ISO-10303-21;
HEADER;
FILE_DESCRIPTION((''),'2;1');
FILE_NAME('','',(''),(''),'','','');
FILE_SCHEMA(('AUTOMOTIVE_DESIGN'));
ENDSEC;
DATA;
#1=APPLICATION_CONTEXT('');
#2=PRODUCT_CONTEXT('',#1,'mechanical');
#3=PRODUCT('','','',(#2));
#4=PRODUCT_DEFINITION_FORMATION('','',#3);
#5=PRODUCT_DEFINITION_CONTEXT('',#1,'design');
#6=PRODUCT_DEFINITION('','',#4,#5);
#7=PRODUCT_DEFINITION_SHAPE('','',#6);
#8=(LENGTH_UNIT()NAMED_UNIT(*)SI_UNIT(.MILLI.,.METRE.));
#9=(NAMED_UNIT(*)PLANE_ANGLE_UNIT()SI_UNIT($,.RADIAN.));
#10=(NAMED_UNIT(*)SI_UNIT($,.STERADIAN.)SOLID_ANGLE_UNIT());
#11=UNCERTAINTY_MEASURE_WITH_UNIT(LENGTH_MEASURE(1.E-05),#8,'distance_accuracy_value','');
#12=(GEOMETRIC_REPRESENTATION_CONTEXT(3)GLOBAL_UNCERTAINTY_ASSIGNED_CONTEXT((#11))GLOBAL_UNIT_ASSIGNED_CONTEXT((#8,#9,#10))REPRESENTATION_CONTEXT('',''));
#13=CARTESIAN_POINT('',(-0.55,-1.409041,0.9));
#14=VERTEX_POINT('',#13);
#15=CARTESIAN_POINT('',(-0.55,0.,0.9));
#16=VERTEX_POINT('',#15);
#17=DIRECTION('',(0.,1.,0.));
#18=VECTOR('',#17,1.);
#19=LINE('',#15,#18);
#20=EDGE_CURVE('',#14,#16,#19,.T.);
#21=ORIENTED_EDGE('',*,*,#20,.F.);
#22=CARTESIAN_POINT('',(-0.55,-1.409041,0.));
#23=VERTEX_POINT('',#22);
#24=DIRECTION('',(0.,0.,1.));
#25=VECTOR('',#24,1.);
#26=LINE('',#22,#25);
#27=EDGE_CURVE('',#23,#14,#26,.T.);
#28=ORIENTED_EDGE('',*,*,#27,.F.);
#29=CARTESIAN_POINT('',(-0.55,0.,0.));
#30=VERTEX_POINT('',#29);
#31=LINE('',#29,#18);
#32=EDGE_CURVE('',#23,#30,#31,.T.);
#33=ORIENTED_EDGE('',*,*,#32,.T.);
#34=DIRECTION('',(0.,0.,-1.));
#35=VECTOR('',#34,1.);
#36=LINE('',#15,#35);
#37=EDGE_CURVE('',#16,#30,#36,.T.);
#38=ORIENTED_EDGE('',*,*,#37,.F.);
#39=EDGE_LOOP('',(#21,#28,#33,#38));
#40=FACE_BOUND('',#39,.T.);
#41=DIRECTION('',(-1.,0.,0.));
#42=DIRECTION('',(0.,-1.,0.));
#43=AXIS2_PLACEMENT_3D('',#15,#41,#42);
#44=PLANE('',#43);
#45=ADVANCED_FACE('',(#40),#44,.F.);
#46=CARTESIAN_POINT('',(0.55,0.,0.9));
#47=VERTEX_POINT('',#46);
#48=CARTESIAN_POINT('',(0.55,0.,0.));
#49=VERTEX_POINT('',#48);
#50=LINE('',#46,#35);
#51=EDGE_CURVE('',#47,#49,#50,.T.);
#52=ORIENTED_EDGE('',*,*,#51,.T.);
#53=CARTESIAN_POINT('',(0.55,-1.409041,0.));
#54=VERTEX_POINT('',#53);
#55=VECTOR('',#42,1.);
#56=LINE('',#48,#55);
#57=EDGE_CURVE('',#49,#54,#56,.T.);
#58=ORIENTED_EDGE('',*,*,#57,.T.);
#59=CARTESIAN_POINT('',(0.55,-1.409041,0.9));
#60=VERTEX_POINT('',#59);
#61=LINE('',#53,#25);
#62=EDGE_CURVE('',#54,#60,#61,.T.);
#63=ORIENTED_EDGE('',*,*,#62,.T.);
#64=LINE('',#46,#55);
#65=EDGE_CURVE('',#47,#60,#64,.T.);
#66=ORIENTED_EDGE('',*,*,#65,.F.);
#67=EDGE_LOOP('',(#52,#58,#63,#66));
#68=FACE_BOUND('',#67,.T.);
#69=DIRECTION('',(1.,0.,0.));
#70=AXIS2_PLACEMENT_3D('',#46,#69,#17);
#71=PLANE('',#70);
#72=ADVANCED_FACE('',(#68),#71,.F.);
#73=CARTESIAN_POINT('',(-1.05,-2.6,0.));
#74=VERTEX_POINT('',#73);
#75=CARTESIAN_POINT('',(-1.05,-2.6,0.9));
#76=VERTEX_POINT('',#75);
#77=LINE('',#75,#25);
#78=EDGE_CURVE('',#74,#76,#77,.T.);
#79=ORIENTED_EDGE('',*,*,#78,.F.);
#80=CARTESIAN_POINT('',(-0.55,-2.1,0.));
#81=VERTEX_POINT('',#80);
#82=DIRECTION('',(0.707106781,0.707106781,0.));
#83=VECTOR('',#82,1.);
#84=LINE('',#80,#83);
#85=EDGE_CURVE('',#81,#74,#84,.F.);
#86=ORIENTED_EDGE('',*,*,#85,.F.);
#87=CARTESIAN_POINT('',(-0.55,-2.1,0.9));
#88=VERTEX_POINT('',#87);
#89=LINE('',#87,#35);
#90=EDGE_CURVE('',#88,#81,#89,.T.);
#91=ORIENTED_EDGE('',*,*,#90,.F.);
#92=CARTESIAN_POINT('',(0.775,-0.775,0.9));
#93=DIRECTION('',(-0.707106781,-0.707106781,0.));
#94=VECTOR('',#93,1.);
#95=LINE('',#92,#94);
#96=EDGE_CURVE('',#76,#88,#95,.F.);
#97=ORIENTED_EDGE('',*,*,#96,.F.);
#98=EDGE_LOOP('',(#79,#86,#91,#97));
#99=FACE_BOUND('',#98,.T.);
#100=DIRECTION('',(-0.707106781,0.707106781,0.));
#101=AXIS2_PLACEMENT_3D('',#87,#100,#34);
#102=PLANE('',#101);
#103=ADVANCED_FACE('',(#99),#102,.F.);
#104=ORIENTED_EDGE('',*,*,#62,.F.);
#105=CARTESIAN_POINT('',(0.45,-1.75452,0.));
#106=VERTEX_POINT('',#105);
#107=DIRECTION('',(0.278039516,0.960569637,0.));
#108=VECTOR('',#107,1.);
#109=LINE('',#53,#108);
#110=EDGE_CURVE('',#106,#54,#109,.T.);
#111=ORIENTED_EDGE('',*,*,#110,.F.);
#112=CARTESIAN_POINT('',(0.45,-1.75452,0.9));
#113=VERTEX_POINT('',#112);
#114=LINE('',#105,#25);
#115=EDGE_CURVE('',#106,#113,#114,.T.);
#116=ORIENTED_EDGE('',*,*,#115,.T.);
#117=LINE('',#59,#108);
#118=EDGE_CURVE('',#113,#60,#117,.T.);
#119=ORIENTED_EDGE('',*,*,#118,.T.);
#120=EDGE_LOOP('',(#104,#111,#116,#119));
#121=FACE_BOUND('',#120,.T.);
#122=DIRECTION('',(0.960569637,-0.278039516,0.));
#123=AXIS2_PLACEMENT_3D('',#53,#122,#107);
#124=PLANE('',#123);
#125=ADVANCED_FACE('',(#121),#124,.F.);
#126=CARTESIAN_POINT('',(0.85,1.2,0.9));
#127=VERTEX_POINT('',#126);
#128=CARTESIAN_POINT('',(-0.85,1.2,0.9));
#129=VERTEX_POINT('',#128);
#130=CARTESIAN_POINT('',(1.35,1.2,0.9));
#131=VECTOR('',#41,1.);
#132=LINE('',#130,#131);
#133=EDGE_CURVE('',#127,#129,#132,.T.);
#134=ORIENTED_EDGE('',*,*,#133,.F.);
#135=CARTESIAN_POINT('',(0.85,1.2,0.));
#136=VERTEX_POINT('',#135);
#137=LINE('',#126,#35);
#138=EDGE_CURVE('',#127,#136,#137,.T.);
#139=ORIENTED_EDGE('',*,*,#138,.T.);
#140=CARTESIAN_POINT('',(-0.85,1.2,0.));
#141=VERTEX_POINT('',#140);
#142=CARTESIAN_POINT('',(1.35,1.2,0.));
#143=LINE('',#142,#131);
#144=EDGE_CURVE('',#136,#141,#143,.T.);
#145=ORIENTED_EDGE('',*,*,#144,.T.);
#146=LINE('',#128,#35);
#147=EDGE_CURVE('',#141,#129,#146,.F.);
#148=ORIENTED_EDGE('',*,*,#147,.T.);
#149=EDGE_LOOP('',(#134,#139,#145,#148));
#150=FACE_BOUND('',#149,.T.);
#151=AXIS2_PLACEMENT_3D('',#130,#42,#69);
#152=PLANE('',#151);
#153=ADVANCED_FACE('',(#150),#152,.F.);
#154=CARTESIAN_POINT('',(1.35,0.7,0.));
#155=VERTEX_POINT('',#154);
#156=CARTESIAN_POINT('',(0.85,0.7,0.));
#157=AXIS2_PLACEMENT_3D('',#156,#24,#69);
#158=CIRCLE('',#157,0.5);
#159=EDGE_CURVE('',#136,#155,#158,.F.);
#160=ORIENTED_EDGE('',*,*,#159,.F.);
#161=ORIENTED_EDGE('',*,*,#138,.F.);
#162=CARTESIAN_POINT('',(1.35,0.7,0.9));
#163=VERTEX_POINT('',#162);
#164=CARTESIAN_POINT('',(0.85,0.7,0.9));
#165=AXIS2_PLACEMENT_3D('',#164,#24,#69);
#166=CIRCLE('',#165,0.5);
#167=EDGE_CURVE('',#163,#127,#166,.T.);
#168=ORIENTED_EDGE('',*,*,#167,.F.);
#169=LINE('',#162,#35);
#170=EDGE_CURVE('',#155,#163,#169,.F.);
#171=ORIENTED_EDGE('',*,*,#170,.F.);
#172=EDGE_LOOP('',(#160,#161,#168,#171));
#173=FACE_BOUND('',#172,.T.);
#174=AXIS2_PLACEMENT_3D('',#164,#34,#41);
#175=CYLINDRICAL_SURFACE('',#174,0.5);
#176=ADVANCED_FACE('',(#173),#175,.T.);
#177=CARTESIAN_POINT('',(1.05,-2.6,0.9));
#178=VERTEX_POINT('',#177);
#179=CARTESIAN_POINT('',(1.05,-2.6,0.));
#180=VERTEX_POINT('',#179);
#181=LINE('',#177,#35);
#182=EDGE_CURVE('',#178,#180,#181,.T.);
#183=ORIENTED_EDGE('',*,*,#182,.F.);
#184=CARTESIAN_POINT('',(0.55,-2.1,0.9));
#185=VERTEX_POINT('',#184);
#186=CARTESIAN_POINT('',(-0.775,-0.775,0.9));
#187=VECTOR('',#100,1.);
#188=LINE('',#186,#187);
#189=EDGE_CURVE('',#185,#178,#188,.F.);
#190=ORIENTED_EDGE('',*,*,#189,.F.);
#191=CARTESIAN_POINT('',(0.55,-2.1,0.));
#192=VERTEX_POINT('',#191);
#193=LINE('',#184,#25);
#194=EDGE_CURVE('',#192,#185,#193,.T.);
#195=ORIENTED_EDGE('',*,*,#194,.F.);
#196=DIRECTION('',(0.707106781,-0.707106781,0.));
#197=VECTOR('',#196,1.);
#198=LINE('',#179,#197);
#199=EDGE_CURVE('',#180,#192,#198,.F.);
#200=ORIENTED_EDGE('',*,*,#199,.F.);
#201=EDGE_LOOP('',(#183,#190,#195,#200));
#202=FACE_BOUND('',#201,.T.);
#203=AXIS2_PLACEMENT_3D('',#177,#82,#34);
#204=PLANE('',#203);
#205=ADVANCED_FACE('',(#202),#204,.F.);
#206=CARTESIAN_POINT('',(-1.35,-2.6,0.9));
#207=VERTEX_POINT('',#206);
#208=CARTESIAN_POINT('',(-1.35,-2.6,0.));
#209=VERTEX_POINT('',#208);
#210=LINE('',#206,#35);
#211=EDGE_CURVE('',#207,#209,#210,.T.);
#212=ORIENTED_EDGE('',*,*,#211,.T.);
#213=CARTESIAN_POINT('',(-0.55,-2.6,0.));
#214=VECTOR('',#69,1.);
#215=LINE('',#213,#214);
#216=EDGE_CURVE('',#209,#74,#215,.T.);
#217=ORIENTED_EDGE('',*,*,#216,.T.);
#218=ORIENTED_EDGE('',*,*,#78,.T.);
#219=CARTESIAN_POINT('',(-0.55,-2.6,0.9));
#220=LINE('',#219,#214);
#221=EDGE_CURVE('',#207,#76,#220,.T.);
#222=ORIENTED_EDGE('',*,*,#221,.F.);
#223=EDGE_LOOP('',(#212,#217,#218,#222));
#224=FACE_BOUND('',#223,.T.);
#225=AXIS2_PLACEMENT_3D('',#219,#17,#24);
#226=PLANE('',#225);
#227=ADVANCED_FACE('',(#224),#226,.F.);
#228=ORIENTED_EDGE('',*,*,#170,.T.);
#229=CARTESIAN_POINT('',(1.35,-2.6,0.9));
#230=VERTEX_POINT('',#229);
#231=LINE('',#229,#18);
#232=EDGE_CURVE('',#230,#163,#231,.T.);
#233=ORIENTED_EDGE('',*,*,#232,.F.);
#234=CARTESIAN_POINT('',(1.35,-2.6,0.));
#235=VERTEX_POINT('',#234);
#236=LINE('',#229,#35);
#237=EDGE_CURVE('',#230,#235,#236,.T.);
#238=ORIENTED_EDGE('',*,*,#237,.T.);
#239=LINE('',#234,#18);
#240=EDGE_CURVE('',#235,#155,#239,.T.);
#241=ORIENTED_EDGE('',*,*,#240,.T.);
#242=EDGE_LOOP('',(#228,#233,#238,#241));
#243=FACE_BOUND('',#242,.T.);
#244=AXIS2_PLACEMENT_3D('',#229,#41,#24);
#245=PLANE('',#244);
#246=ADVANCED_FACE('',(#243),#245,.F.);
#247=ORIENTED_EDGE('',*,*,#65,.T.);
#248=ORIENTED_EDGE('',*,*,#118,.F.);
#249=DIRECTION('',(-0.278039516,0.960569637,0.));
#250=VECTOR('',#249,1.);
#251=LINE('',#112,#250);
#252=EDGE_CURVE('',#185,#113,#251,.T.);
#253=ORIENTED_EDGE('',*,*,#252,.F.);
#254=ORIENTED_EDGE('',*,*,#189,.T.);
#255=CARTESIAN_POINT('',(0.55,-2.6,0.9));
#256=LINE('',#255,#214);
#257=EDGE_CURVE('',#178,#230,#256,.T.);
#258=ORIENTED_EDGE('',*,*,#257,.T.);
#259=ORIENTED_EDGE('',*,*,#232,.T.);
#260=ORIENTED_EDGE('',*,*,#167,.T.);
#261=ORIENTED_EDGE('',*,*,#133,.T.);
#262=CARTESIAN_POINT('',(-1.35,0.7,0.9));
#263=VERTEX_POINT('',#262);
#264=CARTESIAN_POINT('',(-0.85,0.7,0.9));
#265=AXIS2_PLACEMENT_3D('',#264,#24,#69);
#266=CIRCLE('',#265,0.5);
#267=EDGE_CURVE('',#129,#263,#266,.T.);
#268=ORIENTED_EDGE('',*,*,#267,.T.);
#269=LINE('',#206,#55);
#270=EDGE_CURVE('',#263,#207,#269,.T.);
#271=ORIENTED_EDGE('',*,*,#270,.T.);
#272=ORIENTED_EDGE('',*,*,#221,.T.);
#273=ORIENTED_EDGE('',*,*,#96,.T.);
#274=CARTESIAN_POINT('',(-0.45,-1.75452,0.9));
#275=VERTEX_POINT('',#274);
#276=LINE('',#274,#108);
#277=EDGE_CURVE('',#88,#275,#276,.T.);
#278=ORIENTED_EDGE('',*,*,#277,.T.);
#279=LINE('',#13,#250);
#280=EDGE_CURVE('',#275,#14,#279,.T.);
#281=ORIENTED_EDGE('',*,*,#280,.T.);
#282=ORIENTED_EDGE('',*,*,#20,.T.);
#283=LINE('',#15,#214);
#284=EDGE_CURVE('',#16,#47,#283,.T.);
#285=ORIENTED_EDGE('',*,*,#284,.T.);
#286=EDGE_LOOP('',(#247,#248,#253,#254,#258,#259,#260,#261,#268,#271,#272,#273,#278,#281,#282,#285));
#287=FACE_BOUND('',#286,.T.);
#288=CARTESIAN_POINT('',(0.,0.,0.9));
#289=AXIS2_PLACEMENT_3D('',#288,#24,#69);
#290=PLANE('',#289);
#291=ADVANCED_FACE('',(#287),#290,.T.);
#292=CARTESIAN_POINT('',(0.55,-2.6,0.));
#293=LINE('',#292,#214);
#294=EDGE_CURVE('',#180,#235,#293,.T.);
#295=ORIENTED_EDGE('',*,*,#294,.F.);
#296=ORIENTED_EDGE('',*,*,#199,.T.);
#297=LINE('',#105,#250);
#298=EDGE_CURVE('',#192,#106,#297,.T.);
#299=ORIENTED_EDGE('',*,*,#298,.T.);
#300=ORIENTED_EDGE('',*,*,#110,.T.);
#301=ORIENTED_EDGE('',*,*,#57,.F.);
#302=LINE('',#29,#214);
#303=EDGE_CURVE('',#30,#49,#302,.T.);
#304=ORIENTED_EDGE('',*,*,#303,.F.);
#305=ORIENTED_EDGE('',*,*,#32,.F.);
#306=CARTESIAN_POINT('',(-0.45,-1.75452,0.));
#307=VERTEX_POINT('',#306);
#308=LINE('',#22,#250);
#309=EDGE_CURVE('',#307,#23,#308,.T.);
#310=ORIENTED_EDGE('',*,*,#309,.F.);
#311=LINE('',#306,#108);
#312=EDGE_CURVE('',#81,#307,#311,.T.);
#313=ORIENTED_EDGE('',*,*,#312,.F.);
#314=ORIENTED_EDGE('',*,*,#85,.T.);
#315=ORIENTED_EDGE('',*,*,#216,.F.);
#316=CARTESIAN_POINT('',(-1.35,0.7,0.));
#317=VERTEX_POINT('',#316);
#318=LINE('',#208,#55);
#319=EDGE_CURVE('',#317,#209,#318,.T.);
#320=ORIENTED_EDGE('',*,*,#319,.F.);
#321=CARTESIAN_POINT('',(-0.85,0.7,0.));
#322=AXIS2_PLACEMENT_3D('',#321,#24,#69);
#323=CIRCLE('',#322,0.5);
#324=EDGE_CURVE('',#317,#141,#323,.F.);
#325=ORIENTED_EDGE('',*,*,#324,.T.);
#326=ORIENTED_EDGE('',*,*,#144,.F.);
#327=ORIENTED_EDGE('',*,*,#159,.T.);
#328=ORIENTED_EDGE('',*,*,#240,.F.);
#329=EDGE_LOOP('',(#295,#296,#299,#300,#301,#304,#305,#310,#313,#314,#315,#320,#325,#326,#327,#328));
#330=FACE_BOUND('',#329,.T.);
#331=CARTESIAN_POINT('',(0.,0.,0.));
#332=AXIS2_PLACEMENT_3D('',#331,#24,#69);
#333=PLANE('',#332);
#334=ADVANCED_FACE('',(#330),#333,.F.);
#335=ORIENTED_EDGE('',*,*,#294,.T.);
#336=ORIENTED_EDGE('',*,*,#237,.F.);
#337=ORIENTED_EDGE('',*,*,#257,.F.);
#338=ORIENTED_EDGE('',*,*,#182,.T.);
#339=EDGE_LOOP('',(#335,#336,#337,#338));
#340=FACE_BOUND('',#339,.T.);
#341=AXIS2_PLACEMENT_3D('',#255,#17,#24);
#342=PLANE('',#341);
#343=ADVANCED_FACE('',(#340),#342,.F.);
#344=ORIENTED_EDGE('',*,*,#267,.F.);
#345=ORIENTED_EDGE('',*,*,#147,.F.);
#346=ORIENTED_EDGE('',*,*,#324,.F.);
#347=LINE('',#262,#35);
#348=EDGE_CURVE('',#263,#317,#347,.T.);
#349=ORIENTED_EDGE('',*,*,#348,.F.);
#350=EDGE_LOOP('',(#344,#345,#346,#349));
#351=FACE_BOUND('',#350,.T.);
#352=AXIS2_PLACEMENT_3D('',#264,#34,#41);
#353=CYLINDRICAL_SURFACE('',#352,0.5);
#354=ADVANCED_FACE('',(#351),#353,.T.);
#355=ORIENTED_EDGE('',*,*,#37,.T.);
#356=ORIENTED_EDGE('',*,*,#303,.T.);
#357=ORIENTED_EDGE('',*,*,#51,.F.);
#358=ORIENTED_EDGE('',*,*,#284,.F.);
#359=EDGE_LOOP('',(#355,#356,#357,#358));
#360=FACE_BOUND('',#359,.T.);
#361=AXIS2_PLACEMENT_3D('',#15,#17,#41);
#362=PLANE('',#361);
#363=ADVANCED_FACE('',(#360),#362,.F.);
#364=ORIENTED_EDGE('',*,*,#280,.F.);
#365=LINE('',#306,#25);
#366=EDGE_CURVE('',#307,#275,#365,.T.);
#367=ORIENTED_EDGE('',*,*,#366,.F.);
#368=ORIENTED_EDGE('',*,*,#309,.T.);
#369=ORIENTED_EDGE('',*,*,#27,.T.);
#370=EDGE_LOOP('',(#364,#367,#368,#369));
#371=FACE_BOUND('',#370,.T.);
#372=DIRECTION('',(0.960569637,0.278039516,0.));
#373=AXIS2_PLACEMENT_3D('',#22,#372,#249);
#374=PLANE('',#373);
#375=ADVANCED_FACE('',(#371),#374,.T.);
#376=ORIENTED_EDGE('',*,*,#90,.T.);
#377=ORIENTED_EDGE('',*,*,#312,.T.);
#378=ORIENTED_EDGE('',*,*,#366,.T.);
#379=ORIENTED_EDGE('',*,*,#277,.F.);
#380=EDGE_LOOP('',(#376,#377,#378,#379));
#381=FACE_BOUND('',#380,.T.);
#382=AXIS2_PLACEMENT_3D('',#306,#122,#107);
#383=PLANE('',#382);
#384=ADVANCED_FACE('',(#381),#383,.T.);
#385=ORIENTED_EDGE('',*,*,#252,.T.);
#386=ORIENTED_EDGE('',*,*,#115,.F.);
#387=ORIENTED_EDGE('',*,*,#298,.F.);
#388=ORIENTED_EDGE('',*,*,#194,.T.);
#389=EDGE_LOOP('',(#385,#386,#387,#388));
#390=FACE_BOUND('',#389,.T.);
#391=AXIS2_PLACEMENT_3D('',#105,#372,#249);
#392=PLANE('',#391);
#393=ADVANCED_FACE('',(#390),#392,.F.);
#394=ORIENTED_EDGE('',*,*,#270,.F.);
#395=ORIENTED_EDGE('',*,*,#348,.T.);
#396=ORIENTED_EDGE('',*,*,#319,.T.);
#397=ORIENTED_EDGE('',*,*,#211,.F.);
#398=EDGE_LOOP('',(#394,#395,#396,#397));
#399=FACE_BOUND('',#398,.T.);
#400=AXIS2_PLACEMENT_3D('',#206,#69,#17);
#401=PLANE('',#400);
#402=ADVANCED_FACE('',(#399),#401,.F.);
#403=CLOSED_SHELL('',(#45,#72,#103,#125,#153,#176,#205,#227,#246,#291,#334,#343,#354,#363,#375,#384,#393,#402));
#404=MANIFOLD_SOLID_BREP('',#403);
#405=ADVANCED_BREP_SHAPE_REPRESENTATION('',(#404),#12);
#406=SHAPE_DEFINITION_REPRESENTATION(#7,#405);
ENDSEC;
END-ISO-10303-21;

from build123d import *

# Parameters (mm, degrees)
EXTRUDE_1_DEPTH = 0.9
CHAMFER_1_SIZE  = 0.5
FILLET_1_R      = 0.5
EXTRUDE_2_DEPTH = 0.9


with BuildPart() as part:
    # Эскиз1 → Бобышка-Вытянуть1 (new body)
    with BuildSketch(Plane.XY):
        Polygon((-0.55, 0), (0.55, 0), (0.55, -2.6), (1.35, -2.6), (1.35, 1.2), (-1.35, 1.2), (-1.35, -2.6), (-0.55, -2.6), align=None)
    extrude(amount=EXTRUDE_1_DEPTH)

    # Фаска1
    chamfer_1_edges = [part.edges().sort_by_distance(p)[0] for p in [
        (-0.55, -2.6, 0.45),
        (0.55, -2.6, 0.45),
    ]]
    chamfer(chamfer_1_edges, length=CHAMFER_1_SIZE)

    # Скругление1
    fillet_1_edges = [part.edges().sort_by_distance(p)[0] for p in [
        (-1.35, 1.2, 0.45),
        (1.35, 1.2, 0.45),
    ]]
    fillet(fillet_1_edges, radius=FILLET_1_R)

    # Эскиз2 → Бобышка-Вытянуть2 (add)
    with BuildSketch(Plane.XY.offset(0.9)):
        Polygon((-0.55, -2.1), (-0.55, -1.409040923), (-0.45, -1.754520462), align=None)
    extrude_2 = extrude(amount=-EXTRUDE_2_DEPTH)

    # Зеркальное отражение1: Бобышка-Вытянуть2 across plane
    add(extrude_2.mirror(Plane(origin=(0, 0, 0), x_dir=(0, 0, 1), z_dir=(1, 0, 0))))


solid = part.part
